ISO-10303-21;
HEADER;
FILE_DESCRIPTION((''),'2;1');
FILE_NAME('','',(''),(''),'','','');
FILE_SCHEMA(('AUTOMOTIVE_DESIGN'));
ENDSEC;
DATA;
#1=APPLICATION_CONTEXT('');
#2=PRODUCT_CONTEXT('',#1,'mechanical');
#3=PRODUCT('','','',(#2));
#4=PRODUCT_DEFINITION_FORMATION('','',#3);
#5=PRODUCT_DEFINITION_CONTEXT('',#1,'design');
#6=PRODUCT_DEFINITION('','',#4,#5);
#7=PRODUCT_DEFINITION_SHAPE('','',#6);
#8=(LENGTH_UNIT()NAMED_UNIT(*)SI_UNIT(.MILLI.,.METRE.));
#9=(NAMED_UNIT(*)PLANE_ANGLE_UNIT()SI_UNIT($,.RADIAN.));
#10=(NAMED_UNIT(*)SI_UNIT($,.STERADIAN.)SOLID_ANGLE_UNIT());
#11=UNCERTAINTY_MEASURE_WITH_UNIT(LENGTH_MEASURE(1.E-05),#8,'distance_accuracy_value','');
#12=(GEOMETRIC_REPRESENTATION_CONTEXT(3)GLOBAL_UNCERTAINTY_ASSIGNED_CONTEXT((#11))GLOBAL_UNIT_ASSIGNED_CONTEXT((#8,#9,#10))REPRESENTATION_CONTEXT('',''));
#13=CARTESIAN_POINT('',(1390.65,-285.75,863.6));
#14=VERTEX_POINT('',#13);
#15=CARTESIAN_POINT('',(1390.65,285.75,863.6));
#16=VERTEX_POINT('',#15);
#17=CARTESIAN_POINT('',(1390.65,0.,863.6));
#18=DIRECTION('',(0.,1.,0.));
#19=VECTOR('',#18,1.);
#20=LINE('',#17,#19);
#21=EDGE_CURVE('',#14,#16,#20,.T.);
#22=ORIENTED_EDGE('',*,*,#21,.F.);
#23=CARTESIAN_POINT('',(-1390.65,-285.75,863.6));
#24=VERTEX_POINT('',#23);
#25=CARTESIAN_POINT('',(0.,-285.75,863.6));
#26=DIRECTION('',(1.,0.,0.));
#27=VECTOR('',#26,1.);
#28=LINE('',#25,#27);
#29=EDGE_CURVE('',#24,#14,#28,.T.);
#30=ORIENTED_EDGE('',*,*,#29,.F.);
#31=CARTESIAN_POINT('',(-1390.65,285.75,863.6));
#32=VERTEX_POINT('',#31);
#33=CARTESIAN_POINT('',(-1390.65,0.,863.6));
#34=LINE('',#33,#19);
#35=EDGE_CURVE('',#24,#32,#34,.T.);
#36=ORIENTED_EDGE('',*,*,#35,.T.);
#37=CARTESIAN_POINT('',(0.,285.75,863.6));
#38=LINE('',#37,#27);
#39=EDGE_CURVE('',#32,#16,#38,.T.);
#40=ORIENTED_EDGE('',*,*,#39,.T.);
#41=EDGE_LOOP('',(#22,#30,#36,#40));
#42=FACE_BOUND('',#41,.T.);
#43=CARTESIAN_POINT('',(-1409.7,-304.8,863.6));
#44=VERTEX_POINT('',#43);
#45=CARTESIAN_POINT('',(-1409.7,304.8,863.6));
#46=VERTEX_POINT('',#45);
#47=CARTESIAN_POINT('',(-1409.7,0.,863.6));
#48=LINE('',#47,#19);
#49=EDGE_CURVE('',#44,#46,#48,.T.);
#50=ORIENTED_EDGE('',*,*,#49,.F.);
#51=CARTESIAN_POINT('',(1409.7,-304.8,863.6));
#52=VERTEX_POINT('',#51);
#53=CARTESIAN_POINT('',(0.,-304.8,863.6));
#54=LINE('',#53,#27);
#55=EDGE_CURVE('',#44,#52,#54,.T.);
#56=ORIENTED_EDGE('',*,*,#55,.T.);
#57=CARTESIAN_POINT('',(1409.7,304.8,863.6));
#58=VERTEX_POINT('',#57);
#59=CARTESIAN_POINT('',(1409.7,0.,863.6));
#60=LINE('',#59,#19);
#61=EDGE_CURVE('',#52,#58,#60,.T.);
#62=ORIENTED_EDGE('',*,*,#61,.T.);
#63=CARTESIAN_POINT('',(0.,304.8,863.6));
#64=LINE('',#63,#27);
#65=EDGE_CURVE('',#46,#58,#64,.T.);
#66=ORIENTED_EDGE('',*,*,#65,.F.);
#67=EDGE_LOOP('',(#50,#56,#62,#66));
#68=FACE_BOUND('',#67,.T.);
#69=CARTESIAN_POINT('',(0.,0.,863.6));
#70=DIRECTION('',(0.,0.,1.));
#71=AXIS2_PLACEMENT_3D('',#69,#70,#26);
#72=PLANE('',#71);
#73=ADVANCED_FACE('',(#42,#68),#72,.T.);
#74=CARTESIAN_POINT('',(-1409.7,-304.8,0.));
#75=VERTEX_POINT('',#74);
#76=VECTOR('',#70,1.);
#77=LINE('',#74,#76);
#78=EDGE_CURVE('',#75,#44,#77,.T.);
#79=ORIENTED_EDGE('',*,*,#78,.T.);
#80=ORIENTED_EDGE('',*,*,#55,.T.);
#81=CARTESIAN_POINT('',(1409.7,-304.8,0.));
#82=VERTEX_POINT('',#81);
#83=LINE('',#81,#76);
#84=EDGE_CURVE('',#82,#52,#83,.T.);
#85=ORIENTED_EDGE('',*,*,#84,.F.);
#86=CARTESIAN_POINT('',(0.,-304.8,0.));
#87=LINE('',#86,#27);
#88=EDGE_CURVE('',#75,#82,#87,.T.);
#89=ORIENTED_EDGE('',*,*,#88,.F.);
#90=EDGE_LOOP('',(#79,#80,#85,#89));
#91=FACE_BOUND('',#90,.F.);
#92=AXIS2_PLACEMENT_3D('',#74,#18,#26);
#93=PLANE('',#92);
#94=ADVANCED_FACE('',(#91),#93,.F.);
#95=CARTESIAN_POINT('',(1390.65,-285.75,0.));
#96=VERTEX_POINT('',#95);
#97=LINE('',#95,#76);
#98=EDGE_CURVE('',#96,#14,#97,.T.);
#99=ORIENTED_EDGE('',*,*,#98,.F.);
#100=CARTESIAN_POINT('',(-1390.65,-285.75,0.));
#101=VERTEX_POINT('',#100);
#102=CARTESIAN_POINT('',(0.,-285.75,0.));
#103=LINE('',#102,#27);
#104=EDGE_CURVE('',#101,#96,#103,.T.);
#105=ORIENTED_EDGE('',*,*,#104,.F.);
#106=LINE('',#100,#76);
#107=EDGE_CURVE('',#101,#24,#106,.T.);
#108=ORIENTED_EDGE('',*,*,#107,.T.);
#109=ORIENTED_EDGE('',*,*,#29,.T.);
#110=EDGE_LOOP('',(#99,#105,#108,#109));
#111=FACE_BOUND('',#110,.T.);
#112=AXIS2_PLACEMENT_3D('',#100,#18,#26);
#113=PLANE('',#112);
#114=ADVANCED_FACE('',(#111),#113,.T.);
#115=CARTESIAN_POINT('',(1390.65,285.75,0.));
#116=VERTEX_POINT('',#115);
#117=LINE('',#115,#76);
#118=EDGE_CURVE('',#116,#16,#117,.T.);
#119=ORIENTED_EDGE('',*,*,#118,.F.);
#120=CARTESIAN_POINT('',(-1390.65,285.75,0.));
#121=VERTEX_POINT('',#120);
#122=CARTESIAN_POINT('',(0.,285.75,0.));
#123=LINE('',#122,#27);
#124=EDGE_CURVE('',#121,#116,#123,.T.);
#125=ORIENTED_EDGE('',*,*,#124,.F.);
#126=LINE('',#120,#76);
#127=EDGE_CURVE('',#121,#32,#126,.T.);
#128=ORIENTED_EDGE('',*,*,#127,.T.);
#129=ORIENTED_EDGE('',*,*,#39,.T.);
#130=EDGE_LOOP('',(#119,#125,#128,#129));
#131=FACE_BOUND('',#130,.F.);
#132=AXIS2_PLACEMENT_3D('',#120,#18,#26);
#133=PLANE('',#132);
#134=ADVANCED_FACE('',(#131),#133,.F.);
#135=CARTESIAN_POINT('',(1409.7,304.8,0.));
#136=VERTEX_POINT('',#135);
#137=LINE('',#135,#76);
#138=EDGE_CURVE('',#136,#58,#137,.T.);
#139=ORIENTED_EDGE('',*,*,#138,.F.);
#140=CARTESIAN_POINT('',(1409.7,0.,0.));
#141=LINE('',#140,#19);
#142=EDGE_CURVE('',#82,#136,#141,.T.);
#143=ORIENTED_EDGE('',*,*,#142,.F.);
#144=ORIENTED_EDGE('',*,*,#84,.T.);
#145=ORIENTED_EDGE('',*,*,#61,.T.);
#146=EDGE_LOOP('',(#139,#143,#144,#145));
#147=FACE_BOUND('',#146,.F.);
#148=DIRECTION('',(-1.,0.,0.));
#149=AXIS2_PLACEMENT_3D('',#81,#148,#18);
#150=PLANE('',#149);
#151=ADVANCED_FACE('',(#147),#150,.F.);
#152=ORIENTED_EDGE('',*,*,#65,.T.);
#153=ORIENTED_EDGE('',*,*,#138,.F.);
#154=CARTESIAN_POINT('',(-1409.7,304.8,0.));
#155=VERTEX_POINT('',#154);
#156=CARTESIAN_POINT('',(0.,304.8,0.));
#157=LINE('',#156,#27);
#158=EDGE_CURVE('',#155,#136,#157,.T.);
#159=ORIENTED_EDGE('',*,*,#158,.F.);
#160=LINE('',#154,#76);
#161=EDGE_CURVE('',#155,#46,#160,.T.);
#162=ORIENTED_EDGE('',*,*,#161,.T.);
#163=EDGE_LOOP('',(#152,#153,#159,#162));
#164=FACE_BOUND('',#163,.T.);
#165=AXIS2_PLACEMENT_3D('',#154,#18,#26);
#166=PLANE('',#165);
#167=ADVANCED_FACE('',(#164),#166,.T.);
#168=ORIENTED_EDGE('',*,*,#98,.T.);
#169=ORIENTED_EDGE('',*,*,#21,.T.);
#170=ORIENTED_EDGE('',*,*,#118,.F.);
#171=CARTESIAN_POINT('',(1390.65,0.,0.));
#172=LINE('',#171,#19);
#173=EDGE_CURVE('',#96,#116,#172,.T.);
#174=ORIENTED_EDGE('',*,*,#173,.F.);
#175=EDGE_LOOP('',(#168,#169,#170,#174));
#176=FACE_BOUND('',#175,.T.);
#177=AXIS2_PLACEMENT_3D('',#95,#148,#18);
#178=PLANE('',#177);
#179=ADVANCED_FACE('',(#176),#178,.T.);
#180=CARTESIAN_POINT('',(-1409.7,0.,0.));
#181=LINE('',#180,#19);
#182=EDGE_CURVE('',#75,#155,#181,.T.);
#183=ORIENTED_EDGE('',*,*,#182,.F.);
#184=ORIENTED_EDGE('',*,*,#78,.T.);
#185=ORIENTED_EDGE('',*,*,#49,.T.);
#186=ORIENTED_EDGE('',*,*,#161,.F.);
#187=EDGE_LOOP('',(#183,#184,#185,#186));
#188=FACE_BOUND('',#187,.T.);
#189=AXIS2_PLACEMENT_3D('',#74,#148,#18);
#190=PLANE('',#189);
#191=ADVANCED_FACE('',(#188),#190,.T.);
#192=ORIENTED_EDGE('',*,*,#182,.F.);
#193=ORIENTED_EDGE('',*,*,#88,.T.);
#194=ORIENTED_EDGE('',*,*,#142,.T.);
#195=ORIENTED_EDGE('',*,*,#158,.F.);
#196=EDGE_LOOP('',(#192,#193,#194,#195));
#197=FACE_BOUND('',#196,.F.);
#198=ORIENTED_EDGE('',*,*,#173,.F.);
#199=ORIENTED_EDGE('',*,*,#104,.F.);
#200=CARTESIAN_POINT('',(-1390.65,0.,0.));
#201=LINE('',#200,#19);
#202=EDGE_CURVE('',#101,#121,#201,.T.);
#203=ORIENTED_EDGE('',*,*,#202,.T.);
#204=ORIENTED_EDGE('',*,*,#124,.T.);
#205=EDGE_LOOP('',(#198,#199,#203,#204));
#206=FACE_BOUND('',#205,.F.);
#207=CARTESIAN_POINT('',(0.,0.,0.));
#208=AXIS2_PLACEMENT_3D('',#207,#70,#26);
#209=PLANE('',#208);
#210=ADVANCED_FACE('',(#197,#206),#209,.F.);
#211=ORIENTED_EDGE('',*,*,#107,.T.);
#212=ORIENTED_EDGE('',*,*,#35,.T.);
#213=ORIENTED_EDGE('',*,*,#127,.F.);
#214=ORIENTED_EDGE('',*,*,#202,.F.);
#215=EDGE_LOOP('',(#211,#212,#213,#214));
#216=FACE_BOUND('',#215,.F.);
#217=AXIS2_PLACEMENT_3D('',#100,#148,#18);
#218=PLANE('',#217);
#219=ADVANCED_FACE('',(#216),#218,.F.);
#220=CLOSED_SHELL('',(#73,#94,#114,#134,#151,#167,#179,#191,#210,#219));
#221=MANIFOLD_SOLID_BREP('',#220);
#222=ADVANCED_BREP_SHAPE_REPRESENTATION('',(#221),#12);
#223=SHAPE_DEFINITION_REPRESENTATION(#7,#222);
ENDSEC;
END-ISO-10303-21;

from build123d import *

# Parameters (mm, degrees)
F1_W     = 2819.4
F1_H     = 609.6
F1_W_2   = 2781.3
F1_H_2   = 571.5
F2_DEPTH = 863.6


with BuildPart() as f2:
    # F1 (on face) → F2 (new body)
    with BuildSketch(Plane.XY):
        Rectangle(F1_W, F1_H)
        Rectangle(F1_W_2, F1_H_2, mode=Mode.SUBTRACT)
    extrude(amount=F2_DEPTH)


solid = f2.part
